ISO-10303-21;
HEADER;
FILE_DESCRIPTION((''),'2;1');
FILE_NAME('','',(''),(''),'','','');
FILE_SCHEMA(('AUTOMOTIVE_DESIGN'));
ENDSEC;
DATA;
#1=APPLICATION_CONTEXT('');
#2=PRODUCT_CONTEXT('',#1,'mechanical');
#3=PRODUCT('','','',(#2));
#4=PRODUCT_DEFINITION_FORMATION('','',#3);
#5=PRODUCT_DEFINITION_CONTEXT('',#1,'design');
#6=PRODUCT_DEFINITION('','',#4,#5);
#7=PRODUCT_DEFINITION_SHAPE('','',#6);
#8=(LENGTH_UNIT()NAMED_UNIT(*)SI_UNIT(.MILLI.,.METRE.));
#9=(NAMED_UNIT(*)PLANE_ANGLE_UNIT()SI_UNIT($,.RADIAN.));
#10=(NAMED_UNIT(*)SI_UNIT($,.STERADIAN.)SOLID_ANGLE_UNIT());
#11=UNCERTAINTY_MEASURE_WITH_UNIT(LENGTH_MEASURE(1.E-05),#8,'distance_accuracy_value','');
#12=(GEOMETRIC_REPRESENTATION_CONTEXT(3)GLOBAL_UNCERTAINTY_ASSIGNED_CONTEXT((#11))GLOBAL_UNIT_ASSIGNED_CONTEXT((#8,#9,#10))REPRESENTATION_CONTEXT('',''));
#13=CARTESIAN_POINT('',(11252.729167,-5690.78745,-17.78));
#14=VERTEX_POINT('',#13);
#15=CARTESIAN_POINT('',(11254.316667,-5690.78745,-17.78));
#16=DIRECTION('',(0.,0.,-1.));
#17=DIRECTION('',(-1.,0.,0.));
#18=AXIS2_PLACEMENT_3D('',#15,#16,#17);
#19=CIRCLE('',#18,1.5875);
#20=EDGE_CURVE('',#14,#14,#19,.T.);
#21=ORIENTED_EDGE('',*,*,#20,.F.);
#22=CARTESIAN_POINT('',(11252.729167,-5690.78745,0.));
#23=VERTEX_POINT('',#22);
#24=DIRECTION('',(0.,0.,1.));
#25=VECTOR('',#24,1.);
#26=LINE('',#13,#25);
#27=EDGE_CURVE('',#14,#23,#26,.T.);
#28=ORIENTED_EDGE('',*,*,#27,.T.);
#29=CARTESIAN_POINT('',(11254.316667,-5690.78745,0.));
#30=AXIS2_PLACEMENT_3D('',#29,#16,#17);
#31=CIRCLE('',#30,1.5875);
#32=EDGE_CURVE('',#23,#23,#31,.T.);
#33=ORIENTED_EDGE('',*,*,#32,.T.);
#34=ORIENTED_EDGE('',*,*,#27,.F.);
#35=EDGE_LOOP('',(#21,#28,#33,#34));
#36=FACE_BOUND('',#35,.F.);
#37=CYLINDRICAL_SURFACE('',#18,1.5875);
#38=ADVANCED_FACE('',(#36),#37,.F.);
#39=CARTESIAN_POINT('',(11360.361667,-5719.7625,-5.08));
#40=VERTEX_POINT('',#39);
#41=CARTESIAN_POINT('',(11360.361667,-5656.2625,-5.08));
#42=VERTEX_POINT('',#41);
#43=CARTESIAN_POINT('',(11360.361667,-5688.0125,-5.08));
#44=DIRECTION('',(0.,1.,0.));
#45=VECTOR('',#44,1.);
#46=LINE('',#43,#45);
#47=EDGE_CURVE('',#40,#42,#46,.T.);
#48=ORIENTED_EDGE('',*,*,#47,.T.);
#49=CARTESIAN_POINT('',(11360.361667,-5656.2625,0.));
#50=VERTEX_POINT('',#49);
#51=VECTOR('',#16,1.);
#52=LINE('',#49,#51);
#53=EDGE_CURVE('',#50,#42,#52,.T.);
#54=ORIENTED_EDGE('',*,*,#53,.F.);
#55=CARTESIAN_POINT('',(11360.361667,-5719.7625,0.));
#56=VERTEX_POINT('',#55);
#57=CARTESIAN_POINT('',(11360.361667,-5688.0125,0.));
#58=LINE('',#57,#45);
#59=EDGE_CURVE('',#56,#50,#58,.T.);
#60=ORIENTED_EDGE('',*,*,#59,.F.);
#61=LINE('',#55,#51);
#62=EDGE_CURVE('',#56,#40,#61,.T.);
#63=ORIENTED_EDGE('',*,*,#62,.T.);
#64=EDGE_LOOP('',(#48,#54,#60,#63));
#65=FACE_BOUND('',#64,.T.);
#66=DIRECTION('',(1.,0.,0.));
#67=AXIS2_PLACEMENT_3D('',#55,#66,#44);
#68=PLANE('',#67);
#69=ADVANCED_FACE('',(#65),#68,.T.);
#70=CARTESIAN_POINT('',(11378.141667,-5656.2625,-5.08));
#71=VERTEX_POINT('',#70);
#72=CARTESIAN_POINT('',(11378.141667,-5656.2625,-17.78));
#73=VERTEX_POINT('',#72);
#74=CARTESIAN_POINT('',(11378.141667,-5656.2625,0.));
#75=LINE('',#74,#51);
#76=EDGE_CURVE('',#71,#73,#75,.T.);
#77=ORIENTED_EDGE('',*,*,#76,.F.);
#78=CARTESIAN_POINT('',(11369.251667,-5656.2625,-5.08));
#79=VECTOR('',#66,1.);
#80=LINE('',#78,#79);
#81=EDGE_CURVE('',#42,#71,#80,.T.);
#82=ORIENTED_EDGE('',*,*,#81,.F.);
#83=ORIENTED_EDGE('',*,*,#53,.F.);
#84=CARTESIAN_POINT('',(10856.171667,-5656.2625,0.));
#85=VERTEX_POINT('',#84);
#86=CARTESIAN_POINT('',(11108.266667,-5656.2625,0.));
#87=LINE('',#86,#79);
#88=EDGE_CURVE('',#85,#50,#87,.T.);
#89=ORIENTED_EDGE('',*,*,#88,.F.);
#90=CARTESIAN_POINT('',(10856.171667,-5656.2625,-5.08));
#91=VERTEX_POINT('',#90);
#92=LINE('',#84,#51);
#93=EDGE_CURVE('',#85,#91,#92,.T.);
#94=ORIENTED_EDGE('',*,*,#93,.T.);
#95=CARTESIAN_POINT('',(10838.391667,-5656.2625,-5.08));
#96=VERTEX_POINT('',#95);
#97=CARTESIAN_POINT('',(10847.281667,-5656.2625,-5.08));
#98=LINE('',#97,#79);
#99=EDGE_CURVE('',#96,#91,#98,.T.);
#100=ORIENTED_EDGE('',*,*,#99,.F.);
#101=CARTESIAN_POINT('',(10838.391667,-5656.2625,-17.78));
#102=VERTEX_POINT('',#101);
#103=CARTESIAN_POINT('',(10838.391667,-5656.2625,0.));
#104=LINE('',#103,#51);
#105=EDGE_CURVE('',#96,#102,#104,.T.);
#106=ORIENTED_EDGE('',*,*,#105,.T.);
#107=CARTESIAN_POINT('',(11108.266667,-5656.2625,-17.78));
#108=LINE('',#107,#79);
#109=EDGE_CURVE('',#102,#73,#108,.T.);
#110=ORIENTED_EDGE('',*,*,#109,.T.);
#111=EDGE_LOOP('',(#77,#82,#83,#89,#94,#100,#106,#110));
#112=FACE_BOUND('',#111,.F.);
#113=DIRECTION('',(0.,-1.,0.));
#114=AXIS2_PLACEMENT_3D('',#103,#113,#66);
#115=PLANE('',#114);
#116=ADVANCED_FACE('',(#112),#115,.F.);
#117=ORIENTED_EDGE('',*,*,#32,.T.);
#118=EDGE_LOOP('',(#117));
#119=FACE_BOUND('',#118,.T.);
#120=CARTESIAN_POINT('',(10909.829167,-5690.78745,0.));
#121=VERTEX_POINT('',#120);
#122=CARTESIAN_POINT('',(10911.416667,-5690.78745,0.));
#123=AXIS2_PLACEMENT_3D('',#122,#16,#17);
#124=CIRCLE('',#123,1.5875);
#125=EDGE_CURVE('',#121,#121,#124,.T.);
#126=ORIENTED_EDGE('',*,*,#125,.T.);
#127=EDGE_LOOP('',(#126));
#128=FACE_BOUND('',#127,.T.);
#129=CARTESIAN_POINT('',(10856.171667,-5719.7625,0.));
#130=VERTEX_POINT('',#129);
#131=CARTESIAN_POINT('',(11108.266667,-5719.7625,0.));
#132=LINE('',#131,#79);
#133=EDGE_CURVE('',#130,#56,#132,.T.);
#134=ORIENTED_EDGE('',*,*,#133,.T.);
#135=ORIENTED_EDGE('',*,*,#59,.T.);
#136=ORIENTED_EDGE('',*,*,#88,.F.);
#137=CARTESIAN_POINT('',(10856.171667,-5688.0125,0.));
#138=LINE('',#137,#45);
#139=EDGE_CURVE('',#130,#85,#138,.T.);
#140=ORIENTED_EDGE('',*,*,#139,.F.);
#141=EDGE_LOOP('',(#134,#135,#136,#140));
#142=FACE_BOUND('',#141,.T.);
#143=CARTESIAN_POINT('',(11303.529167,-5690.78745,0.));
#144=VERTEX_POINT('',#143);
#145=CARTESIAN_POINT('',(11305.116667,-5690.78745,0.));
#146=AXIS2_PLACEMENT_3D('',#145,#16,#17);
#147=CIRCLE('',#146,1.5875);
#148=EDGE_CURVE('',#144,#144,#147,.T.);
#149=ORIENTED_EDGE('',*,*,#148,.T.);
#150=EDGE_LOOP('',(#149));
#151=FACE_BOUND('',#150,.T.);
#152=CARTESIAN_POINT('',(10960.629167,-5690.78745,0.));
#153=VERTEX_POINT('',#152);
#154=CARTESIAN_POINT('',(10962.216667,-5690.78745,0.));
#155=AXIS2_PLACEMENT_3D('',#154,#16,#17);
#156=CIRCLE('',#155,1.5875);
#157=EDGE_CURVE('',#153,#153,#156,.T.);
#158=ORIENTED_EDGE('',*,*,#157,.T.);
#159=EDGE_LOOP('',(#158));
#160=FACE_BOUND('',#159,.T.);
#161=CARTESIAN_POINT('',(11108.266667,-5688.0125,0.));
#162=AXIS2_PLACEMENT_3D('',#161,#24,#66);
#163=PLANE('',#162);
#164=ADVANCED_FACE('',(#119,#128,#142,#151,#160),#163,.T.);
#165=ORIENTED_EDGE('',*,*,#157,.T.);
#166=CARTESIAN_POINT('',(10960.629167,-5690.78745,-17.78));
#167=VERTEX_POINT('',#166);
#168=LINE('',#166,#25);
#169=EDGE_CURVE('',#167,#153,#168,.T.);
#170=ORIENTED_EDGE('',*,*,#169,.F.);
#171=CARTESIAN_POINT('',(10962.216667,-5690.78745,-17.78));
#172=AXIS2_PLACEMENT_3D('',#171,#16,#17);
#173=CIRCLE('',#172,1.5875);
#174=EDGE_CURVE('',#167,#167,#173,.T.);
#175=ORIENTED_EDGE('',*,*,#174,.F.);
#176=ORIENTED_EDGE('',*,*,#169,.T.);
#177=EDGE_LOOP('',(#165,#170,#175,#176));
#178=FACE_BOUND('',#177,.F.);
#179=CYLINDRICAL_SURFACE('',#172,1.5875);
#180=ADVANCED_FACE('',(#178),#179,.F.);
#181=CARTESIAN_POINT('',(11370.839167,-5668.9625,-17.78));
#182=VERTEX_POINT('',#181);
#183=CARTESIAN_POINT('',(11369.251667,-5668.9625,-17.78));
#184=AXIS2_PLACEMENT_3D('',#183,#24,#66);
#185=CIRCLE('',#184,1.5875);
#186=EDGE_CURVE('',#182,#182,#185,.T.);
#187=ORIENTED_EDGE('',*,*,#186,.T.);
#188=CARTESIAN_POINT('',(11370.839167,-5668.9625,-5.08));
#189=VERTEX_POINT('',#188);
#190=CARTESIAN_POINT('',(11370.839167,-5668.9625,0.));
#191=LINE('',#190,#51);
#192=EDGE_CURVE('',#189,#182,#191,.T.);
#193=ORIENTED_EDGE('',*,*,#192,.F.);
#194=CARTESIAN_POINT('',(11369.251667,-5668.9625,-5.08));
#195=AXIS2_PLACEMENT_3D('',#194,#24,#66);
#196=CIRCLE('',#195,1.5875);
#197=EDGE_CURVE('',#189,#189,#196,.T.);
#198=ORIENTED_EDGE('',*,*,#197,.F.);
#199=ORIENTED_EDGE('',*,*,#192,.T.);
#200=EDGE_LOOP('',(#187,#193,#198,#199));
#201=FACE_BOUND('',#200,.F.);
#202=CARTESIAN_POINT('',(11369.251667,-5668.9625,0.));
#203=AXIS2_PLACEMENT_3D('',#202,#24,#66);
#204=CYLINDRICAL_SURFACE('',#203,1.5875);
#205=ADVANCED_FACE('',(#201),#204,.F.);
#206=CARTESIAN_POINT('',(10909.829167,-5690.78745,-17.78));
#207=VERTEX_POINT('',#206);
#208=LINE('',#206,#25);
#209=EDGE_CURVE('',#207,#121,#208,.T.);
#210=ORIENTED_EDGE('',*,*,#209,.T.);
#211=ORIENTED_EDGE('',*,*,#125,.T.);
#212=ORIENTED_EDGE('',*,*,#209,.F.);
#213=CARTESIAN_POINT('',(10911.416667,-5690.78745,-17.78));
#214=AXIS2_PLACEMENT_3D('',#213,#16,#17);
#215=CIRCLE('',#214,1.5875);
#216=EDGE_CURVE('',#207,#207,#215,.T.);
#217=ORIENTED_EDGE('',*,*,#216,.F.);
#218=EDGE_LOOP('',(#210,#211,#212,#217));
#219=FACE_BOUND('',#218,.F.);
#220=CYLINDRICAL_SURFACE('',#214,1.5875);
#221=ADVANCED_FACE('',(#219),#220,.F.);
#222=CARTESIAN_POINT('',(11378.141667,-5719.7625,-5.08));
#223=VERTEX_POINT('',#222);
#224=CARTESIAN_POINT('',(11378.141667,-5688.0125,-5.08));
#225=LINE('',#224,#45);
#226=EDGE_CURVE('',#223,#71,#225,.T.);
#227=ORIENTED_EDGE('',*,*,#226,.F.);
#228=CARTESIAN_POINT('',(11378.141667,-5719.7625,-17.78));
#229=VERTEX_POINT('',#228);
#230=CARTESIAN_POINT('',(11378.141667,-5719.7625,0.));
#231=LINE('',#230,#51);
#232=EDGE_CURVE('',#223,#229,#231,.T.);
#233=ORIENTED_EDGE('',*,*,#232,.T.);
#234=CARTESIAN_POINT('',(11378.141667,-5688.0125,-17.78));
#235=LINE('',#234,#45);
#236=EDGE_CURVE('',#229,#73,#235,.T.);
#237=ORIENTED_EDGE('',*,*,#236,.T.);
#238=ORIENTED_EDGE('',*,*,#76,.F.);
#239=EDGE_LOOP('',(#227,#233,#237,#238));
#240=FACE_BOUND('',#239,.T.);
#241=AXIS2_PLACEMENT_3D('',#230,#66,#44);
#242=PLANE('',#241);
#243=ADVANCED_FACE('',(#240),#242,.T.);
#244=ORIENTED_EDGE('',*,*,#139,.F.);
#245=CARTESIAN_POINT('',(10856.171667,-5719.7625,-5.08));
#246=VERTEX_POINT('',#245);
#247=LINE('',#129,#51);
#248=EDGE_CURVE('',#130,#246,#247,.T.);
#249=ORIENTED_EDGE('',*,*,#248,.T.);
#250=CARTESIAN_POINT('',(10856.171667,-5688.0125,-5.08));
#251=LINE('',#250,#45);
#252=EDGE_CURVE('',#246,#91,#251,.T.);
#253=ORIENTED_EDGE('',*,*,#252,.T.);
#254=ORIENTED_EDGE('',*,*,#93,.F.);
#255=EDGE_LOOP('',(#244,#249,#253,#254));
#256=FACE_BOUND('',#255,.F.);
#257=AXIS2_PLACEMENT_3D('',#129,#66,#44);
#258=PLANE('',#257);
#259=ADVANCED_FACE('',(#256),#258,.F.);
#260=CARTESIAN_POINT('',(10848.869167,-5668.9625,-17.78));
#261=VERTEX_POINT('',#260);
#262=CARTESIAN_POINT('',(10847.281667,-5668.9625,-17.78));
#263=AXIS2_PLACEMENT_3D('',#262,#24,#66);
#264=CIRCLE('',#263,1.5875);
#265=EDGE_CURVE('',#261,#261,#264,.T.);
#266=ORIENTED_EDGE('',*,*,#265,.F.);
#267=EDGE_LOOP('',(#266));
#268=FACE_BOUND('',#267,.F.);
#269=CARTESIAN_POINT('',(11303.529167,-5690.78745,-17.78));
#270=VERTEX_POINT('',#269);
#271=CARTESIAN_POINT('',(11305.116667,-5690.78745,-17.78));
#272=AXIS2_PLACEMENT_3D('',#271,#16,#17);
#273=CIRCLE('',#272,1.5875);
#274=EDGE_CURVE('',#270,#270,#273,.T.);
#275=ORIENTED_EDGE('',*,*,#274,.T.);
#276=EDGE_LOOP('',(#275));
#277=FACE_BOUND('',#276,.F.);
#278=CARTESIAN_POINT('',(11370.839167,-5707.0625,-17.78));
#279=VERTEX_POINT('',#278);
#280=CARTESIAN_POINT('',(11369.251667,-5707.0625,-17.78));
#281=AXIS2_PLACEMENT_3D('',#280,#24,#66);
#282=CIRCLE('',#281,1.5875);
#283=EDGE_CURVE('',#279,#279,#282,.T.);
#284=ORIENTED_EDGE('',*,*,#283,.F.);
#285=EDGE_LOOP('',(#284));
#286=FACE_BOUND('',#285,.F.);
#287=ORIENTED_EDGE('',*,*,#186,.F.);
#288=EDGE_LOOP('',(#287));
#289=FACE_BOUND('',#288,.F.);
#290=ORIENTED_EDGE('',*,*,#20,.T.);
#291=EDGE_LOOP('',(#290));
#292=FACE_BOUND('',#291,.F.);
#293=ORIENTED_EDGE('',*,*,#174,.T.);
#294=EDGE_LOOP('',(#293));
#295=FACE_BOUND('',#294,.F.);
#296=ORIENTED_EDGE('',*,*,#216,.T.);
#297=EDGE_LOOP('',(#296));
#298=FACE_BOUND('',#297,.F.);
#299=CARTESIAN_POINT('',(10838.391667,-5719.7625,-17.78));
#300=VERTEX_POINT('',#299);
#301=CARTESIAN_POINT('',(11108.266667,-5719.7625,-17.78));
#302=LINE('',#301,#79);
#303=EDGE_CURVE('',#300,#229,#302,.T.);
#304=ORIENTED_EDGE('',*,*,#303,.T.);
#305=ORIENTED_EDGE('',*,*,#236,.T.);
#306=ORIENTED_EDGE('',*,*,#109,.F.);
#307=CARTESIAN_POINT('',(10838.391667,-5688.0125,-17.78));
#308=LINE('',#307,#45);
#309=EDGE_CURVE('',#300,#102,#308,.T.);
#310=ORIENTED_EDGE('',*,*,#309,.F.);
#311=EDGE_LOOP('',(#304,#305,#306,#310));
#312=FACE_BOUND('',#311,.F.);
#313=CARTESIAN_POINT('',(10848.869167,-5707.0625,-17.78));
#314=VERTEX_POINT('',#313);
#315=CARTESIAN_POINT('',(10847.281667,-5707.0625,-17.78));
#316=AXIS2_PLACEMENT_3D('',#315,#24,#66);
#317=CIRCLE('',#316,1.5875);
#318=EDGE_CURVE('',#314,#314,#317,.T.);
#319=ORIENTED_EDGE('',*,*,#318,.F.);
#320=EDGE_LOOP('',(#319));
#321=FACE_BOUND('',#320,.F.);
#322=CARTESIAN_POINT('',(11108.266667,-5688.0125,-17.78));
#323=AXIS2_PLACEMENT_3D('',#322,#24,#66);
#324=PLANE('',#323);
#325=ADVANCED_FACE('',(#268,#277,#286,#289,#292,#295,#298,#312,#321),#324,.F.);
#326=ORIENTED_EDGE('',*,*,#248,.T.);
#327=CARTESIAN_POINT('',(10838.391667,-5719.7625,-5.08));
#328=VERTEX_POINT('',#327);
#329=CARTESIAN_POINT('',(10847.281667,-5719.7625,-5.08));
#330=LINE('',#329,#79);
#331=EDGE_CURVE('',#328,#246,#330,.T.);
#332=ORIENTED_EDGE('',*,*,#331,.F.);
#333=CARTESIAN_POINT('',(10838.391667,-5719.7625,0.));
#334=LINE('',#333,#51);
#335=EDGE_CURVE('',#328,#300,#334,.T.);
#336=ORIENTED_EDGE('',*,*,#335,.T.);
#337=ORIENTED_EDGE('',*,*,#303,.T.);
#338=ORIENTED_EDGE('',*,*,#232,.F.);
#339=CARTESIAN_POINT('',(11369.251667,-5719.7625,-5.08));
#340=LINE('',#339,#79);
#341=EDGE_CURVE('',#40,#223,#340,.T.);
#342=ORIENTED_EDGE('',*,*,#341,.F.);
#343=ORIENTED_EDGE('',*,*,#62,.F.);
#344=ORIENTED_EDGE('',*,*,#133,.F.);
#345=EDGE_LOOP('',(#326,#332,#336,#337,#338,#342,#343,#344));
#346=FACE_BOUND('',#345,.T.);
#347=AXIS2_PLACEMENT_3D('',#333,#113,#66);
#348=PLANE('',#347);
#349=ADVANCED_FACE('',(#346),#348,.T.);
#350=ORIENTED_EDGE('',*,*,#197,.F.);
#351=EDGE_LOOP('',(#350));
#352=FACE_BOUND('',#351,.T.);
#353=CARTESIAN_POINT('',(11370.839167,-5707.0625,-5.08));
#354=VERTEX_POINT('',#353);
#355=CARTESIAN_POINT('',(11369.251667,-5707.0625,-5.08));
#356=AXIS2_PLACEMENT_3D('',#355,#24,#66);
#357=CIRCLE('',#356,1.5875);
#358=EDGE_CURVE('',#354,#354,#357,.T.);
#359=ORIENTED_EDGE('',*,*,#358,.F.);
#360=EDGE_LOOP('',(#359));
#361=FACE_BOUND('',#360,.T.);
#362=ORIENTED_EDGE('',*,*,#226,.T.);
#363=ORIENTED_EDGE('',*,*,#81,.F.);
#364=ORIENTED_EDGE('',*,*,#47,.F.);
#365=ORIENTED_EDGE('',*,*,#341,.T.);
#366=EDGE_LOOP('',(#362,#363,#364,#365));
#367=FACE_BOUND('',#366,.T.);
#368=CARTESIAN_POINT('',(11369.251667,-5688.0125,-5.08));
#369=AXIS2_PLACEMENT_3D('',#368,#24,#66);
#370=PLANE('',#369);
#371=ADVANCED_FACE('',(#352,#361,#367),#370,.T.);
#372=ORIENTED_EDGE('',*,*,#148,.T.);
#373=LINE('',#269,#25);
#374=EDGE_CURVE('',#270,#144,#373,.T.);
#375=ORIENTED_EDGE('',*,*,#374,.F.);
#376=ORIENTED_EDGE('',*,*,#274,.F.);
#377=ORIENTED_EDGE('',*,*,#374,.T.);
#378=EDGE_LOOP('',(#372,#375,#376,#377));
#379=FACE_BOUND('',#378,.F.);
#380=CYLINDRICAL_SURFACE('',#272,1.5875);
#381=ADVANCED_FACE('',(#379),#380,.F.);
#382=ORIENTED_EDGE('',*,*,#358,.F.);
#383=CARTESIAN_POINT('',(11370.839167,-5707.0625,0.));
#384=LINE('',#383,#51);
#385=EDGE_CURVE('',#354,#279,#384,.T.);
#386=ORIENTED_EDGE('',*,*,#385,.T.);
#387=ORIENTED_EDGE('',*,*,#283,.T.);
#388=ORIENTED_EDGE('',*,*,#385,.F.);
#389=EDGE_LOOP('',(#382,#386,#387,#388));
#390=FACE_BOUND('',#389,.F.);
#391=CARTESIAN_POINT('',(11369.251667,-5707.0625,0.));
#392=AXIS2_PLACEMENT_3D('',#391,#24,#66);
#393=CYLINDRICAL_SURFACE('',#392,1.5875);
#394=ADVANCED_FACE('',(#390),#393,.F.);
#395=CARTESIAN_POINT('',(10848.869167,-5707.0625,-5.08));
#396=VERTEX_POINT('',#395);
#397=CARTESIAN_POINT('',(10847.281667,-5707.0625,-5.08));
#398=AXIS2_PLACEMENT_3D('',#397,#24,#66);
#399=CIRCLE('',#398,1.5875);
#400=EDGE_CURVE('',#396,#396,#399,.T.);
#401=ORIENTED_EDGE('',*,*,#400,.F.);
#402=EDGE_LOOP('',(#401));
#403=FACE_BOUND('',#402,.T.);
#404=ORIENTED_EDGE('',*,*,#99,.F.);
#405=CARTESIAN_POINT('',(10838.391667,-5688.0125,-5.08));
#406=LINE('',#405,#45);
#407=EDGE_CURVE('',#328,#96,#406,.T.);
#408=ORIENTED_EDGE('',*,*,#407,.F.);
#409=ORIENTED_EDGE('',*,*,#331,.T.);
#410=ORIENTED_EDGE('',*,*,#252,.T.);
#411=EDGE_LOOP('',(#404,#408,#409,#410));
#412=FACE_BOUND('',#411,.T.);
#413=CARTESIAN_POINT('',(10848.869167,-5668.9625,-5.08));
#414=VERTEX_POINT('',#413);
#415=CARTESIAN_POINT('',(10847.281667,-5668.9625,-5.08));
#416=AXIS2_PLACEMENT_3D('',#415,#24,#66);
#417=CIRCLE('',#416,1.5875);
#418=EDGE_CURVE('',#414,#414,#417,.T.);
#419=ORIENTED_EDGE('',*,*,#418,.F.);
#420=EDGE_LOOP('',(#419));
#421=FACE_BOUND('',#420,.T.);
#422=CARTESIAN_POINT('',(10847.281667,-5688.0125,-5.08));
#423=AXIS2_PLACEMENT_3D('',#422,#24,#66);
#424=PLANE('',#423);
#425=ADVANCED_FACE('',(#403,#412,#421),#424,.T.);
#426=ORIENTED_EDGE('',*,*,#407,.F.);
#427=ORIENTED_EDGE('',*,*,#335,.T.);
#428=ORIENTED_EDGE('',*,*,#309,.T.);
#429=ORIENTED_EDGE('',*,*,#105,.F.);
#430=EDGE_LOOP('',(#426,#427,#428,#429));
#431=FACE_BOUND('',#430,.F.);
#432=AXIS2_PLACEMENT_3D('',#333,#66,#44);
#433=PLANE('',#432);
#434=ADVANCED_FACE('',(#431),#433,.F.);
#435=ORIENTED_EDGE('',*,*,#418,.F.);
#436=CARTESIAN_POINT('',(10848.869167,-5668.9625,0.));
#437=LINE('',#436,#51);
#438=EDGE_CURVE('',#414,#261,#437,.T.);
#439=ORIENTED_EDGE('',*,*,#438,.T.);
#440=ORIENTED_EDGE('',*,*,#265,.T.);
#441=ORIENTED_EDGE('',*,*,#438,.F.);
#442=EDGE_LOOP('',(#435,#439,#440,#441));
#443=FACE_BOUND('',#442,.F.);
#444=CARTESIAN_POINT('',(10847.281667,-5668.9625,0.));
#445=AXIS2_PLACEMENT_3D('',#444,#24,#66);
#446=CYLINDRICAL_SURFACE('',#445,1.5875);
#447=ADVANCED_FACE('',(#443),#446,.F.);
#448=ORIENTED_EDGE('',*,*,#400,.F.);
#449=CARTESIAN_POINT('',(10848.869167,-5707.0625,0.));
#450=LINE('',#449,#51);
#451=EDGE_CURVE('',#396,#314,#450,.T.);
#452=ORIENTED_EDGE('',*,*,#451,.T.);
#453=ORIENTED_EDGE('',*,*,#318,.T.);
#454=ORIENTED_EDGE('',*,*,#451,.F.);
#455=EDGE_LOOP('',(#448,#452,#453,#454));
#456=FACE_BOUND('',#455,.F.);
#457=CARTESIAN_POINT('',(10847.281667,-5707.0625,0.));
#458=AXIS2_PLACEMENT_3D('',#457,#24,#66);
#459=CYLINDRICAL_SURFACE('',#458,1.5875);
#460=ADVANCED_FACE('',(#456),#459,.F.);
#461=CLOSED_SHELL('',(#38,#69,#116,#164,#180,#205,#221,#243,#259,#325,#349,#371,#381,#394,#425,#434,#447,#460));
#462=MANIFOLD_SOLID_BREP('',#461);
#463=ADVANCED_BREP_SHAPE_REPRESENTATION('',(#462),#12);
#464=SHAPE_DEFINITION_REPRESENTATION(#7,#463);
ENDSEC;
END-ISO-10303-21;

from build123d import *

# Parameters (mm, degrees)
PEDOUTLINE_W               = 539.75
PEDOUTLINE_H               = 63.5
PEDOUTLINE_THICKNESS_DEPTH = 17.78
PEDLEDGECUTS_W             = 17.78
PEDLEDGECUTS_H             = 63.5
PEDLEDGECUTS_DEPTH_DEPTH   = 5.08
SKETCH4_R                  = 1.5875
CUT_EXTRUDE2_DEPTH         = 17.78
SKETCH5_R                  = 1.5875
CUT_EXTRUDE3_DEPTH         = 17.78


with BuildPart() as part:
    # PedOutline → PedOutline_Thickness (new body)
    with BuildSketch(Plane.XY):
        with Locations((11108.266666666, -5688.0125)):
            Rectangle(PEDOUTLINE_W, PEDOUTLINE_H)
    extrude(amount=-PEDOUTLINE_THICKNESS_DEPTH)

    # PedLedgeCuts → PedLedgeCuts_Depth (cut)
    with BuildSketch(Plane.XY):
        with Locations((11369.251666666, -5688.0125)):
            Rectangle(PEDLEDGECUTS_W, PEDLEDGECUTS_H)
        with Locations((10847.281666666, -5688.0125)):
            Rectangle(PEDLEDGECUTS_W, PEDLEDGECUTS_H)
    extrude(amount=-PEDLEDGECUTS_DEPTH_DEPTH, mode=Mode.SUBTRACT)

    # Sketch4 → Cut-Extrude2 (cut)
    with BuildSketch(Plane.XY):
        with Locations((10847.281666666, -5668.9625)):
            Circle(SKETCH4_R)
        with Locations((10847.281666666, -5707.0625)):
            Circle(SKETCH4_R)
        with Locations((11369.251666666, -5707.0625)):
            Circle(SKETCH4_R)
        with Locations((11369.251666666, -5668.9625)):
            Circle(SKETCH4_R)
    extrude(amount=-CUT_EXTRUDE2_DEPTH, mode=Mode.SUBTRACT)

    # Sketch5 → Cut-Extrude3 (cut)
    with BuildSketch(Plane(origin=(0, 0, -17.78), x_dir=(-1, 0, 0), z_dir=(0, 0, -1))):
        with Locations((-10911.416666665, -5690.78745)):
            Circle(SKETCH5_R)
        with Locations((-10962.216666665, -5690.78745)):
            Circle(SKETCH5_R)
        with Locations((-11254.316666665, -5690.78745)):
            Circle(SKETCH5_R)
        with Locations((-11305.116666665, -5690.78745)):
            Circle(SKETCH5_R)
    extrude(amount=-CUT_EXTRUDE3_DEPTH, mode=Mode.SUBTRACT)


solid = part.part
